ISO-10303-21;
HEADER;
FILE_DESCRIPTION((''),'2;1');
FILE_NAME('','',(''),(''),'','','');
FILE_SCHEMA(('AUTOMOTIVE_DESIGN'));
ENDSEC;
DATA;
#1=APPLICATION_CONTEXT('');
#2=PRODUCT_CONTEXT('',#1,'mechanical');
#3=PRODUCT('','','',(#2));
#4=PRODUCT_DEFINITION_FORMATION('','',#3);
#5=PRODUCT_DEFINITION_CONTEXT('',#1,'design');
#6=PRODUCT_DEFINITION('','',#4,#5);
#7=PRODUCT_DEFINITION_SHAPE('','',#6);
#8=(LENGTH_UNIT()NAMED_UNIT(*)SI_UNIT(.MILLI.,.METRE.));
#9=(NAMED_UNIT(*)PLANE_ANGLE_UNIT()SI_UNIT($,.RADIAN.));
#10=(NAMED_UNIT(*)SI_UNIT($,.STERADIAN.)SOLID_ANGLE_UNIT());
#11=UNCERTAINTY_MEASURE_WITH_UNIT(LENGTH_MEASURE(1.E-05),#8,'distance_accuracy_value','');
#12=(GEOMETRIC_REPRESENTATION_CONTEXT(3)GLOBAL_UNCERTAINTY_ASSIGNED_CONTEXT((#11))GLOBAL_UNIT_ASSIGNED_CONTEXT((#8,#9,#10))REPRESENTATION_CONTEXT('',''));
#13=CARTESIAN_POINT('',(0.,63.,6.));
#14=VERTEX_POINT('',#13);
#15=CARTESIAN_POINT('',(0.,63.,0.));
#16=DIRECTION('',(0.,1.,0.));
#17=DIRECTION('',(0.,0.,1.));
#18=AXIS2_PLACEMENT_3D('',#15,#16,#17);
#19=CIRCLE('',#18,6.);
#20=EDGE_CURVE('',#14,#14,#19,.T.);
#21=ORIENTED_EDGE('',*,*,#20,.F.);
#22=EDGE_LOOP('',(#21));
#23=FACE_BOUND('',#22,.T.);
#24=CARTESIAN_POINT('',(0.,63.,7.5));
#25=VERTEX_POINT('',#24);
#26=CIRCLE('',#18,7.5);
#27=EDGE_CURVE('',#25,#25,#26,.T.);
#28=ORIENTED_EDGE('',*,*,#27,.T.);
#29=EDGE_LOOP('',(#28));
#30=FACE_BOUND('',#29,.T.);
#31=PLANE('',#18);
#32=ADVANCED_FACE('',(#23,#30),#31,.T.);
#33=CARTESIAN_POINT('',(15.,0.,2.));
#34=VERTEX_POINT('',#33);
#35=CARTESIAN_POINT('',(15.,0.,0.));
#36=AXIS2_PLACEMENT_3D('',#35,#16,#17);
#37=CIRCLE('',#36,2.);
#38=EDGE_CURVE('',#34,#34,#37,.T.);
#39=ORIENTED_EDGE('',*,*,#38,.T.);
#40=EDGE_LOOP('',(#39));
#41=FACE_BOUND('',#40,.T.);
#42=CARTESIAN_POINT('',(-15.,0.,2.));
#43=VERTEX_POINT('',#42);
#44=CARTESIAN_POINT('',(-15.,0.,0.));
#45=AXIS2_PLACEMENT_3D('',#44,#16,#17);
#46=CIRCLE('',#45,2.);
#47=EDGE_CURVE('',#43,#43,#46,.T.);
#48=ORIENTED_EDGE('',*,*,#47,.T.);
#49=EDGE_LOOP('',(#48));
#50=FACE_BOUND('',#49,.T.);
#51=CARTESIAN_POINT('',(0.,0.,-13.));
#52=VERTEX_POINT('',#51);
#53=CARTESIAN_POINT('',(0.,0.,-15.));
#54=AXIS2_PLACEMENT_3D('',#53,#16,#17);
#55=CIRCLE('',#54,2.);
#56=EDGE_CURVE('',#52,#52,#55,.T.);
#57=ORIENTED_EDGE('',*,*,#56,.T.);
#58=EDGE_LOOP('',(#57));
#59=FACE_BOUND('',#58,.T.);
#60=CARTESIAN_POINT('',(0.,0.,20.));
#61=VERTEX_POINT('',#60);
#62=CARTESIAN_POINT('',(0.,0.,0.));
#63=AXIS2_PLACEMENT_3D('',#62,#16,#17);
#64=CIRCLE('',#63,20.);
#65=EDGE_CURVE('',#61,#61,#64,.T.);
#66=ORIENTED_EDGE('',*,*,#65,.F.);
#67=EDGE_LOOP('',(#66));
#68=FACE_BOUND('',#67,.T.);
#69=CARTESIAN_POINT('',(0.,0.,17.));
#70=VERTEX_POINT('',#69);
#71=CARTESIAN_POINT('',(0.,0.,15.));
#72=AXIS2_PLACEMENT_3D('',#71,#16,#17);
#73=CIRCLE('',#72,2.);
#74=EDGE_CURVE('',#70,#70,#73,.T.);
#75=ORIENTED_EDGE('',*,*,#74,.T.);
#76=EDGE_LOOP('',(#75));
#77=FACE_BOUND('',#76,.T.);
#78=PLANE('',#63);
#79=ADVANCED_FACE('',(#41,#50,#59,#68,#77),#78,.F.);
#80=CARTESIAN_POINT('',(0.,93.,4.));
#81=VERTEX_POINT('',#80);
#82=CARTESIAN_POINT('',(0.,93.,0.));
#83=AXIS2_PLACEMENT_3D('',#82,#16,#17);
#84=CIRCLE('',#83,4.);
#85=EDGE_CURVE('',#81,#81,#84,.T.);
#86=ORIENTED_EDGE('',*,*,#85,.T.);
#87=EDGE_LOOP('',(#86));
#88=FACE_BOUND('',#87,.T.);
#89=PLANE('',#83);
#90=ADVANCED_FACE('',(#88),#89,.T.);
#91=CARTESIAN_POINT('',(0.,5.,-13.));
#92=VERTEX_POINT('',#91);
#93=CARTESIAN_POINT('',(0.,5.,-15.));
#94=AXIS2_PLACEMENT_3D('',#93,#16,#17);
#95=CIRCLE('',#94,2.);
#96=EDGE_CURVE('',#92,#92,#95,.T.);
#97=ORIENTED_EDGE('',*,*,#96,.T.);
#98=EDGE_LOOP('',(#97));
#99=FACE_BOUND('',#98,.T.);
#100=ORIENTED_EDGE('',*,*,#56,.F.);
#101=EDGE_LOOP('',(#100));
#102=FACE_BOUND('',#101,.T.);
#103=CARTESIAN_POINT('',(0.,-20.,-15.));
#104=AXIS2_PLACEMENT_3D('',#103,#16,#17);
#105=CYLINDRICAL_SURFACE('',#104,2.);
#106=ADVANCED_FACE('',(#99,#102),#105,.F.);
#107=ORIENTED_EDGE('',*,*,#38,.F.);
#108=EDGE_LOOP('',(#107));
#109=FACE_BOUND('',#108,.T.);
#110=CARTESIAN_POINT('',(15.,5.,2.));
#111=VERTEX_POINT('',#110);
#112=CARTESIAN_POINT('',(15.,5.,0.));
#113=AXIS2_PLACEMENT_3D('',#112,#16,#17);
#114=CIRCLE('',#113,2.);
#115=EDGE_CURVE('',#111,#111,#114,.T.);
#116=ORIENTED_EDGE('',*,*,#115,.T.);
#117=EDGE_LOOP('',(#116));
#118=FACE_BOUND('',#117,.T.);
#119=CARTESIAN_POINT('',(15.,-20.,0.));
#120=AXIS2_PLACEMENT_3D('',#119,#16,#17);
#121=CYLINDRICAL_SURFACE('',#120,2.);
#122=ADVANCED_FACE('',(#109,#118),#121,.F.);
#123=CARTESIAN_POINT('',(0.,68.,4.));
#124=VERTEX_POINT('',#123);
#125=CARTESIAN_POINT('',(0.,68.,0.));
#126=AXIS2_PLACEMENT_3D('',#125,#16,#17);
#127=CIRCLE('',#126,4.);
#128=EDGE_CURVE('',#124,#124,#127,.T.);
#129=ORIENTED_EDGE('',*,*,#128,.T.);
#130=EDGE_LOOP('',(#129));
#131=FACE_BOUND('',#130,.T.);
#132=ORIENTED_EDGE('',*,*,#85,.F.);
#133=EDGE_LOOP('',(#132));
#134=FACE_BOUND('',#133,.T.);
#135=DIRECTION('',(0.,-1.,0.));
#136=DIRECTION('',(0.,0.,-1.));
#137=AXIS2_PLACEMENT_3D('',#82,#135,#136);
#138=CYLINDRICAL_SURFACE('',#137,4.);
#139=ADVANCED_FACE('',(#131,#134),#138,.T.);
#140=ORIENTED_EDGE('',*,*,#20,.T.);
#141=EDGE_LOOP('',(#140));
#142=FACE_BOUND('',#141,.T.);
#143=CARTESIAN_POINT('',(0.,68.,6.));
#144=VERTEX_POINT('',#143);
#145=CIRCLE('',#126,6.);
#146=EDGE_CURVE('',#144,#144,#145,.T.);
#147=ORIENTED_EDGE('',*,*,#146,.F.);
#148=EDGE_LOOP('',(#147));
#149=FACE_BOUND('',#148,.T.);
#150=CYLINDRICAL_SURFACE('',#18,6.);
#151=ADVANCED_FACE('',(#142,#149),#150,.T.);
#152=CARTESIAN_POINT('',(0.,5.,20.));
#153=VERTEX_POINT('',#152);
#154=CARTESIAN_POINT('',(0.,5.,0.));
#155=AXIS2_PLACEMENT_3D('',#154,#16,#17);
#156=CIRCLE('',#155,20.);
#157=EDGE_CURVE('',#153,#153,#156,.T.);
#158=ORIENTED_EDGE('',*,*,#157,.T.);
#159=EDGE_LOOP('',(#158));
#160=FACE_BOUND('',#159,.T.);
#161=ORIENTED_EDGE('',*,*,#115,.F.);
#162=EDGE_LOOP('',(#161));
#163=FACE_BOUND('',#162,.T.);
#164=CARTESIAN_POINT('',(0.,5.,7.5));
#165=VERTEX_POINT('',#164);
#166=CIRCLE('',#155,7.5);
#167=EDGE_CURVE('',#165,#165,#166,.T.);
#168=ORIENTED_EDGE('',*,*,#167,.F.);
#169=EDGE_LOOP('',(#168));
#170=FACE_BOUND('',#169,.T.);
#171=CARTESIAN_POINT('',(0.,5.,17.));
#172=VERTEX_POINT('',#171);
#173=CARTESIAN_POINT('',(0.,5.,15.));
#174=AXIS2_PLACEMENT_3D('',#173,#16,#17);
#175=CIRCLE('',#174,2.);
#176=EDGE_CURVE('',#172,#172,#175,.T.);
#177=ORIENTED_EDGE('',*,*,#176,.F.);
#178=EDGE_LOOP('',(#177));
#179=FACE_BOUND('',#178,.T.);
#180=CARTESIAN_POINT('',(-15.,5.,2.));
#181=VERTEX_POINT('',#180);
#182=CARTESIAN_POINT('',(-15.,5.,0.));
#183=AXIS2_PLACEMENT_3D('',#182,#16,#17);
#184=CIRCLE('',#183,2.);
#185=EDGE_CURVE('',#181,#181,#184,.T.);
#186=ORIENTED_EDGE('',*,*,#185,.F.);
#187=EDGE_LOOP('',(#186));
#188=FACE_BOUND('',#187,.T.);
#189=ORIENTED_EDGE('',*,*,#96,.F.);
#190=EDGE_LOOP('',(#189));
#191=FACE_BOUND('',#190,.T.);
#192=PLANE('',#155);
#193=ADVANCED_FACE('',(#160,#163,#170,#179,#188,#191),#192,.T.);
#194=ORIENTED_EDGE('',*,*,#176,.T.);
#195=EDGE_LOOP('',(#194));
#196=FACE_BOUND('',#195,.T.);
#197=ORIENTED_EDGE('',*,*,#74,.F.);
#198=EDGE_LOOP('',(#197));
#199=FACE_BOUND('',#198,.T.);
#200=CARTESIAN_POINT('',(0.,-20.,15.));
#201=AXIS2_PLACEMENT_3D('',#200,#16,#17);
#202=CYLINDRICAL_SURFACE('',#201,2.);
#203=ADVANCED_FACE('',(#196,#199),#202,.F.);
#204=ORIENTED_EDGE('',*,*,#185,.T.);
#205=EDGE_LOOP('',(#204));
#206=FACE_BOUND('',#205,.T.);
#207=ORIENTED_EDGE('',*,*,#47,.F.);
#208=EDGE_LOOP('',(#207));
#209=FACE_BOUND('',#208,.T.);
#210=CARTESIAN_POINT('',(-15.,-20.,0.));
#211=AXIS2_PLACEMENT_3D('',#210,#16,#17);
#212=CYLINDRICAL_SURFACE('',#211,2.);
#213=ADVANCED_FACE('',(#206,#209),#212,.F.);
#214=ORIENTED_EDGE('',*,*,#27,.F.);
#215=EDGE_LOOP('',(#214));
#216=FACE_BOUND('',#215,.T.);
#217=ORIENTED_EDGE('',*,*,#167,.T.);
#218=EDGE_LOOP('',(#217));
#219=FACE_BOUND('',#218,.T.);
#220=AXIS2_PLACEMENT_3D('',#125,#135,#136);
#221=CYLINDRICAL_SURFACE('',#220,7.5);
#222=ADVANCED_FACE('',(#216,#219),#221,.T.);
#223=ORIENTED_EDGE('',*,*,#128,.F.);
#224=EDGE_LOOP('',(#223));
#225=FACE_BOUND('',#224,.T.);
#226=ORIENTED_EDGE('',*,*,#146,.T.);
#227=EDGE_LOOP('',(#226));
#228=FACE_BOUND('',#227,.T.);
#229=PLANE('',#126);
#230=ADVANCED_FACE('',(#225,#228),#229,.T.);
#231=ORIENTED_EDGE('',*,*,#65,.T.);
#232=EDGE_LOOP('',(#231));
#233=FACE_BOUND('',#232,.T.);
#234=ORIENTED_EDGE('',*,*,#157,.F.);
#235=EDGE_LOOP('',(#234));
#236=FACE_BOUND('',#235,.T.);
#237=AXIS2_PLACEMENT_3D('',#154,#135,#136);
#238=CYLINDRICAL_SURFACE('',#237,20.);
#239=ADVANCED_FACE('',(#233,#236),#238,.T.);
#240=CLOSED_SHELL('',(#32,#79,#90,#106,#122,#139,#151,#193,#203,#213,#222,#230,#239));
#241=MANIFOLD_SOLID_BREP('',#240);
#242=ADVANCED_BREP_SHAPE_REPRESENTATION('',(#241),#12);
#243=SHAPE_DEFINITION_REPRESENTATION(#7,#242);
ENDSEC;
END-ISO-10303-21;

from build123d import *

# Parameters (mm, degrees)
SKETCH1_R           = 20
BOSS_EXTRUDE1_DEPTH = 5
SKETCH2_R           = 7.5
BOSS_EXTRUDE2_DEPTH = 63
SKETCH3_R           = 4
BOSS_EXTRUDE3_DEPTH = 25
SKETCH4_R           = 2
CUT_EXTRUDE1_DEPTH  = 25
SKETCH5_R           = 7.5
SKETCH5_R_2         = 6
CUT_EXTRUDE2_DEPTH  = 5


with BuildPart() as part:
    # Sketch1 → Boss-Extrude1 (new body)
    with BuildSketch(Plane(origin=(0, 0, 0), x_dir=(1, 0, 0), z_dir=(0, 1, 0))):
        Circle(SKETCH1_R)
    extrude(amount=BOSS_EXTRUDE1_DEPTH)

    # Sketch2 → Boss-Extrude2 (add)
    with BuildSketch(Plane(origin=(0, 5, 0), x_dir=(1, 0, 0), z_dir=(0, 1, 0))):
        Circle(SKETCH2_R)
    extrude(amount=BOSS_EXTRUDE2_DEPTH)

    # Sketch3 → Boss-Extrude3 (add)
    with BuildSketch(Plane(origin=(0, 68, 0), x_dir=(1, 0, 0), z_dir=(0, 1, 0))):
        Circle(SKETCH3_R)
    extrude(amount=BOSS_EXTRUDE3_DEPTH)

    # Sketch4 → Cut-Extrude1 (cut)
    with BuildSketch(Plane(origin=(0, 5, 0), x_dir=(1, 0, 0), z_dir=(0, 1, 0))):
        with Locations((0, 15)):
            Circle(SKETCH4_R)
        with Locations((15, 0)):
            Circle(SKETCH4_R)
        with Locations((0, -15)):
            Circle(SKETCH4_R)
        with Locations((-15, 0)):
            Circle(SKETCH4_R)
    extrude(amount=-CUT_EXTRUDE1_DEPTH, mode=Mode.SUBTRACT)

    # Sketch5 → Cut-Extrude2 (cut)
    with BuildSketch(Plane(origin=(0, 68, 0), x_dir=(1, 0, 0), z_dir=(0, 1, 0))):
        Circle(SKETCH5_R)
        Circle(SKETCH5_R_2, mode=Mode.SUBTRACT)
    extrude(amount=-CUT_EXTRUDE2_DEPTH, mode=Mode.SUBTRACT)


solid = part.part
